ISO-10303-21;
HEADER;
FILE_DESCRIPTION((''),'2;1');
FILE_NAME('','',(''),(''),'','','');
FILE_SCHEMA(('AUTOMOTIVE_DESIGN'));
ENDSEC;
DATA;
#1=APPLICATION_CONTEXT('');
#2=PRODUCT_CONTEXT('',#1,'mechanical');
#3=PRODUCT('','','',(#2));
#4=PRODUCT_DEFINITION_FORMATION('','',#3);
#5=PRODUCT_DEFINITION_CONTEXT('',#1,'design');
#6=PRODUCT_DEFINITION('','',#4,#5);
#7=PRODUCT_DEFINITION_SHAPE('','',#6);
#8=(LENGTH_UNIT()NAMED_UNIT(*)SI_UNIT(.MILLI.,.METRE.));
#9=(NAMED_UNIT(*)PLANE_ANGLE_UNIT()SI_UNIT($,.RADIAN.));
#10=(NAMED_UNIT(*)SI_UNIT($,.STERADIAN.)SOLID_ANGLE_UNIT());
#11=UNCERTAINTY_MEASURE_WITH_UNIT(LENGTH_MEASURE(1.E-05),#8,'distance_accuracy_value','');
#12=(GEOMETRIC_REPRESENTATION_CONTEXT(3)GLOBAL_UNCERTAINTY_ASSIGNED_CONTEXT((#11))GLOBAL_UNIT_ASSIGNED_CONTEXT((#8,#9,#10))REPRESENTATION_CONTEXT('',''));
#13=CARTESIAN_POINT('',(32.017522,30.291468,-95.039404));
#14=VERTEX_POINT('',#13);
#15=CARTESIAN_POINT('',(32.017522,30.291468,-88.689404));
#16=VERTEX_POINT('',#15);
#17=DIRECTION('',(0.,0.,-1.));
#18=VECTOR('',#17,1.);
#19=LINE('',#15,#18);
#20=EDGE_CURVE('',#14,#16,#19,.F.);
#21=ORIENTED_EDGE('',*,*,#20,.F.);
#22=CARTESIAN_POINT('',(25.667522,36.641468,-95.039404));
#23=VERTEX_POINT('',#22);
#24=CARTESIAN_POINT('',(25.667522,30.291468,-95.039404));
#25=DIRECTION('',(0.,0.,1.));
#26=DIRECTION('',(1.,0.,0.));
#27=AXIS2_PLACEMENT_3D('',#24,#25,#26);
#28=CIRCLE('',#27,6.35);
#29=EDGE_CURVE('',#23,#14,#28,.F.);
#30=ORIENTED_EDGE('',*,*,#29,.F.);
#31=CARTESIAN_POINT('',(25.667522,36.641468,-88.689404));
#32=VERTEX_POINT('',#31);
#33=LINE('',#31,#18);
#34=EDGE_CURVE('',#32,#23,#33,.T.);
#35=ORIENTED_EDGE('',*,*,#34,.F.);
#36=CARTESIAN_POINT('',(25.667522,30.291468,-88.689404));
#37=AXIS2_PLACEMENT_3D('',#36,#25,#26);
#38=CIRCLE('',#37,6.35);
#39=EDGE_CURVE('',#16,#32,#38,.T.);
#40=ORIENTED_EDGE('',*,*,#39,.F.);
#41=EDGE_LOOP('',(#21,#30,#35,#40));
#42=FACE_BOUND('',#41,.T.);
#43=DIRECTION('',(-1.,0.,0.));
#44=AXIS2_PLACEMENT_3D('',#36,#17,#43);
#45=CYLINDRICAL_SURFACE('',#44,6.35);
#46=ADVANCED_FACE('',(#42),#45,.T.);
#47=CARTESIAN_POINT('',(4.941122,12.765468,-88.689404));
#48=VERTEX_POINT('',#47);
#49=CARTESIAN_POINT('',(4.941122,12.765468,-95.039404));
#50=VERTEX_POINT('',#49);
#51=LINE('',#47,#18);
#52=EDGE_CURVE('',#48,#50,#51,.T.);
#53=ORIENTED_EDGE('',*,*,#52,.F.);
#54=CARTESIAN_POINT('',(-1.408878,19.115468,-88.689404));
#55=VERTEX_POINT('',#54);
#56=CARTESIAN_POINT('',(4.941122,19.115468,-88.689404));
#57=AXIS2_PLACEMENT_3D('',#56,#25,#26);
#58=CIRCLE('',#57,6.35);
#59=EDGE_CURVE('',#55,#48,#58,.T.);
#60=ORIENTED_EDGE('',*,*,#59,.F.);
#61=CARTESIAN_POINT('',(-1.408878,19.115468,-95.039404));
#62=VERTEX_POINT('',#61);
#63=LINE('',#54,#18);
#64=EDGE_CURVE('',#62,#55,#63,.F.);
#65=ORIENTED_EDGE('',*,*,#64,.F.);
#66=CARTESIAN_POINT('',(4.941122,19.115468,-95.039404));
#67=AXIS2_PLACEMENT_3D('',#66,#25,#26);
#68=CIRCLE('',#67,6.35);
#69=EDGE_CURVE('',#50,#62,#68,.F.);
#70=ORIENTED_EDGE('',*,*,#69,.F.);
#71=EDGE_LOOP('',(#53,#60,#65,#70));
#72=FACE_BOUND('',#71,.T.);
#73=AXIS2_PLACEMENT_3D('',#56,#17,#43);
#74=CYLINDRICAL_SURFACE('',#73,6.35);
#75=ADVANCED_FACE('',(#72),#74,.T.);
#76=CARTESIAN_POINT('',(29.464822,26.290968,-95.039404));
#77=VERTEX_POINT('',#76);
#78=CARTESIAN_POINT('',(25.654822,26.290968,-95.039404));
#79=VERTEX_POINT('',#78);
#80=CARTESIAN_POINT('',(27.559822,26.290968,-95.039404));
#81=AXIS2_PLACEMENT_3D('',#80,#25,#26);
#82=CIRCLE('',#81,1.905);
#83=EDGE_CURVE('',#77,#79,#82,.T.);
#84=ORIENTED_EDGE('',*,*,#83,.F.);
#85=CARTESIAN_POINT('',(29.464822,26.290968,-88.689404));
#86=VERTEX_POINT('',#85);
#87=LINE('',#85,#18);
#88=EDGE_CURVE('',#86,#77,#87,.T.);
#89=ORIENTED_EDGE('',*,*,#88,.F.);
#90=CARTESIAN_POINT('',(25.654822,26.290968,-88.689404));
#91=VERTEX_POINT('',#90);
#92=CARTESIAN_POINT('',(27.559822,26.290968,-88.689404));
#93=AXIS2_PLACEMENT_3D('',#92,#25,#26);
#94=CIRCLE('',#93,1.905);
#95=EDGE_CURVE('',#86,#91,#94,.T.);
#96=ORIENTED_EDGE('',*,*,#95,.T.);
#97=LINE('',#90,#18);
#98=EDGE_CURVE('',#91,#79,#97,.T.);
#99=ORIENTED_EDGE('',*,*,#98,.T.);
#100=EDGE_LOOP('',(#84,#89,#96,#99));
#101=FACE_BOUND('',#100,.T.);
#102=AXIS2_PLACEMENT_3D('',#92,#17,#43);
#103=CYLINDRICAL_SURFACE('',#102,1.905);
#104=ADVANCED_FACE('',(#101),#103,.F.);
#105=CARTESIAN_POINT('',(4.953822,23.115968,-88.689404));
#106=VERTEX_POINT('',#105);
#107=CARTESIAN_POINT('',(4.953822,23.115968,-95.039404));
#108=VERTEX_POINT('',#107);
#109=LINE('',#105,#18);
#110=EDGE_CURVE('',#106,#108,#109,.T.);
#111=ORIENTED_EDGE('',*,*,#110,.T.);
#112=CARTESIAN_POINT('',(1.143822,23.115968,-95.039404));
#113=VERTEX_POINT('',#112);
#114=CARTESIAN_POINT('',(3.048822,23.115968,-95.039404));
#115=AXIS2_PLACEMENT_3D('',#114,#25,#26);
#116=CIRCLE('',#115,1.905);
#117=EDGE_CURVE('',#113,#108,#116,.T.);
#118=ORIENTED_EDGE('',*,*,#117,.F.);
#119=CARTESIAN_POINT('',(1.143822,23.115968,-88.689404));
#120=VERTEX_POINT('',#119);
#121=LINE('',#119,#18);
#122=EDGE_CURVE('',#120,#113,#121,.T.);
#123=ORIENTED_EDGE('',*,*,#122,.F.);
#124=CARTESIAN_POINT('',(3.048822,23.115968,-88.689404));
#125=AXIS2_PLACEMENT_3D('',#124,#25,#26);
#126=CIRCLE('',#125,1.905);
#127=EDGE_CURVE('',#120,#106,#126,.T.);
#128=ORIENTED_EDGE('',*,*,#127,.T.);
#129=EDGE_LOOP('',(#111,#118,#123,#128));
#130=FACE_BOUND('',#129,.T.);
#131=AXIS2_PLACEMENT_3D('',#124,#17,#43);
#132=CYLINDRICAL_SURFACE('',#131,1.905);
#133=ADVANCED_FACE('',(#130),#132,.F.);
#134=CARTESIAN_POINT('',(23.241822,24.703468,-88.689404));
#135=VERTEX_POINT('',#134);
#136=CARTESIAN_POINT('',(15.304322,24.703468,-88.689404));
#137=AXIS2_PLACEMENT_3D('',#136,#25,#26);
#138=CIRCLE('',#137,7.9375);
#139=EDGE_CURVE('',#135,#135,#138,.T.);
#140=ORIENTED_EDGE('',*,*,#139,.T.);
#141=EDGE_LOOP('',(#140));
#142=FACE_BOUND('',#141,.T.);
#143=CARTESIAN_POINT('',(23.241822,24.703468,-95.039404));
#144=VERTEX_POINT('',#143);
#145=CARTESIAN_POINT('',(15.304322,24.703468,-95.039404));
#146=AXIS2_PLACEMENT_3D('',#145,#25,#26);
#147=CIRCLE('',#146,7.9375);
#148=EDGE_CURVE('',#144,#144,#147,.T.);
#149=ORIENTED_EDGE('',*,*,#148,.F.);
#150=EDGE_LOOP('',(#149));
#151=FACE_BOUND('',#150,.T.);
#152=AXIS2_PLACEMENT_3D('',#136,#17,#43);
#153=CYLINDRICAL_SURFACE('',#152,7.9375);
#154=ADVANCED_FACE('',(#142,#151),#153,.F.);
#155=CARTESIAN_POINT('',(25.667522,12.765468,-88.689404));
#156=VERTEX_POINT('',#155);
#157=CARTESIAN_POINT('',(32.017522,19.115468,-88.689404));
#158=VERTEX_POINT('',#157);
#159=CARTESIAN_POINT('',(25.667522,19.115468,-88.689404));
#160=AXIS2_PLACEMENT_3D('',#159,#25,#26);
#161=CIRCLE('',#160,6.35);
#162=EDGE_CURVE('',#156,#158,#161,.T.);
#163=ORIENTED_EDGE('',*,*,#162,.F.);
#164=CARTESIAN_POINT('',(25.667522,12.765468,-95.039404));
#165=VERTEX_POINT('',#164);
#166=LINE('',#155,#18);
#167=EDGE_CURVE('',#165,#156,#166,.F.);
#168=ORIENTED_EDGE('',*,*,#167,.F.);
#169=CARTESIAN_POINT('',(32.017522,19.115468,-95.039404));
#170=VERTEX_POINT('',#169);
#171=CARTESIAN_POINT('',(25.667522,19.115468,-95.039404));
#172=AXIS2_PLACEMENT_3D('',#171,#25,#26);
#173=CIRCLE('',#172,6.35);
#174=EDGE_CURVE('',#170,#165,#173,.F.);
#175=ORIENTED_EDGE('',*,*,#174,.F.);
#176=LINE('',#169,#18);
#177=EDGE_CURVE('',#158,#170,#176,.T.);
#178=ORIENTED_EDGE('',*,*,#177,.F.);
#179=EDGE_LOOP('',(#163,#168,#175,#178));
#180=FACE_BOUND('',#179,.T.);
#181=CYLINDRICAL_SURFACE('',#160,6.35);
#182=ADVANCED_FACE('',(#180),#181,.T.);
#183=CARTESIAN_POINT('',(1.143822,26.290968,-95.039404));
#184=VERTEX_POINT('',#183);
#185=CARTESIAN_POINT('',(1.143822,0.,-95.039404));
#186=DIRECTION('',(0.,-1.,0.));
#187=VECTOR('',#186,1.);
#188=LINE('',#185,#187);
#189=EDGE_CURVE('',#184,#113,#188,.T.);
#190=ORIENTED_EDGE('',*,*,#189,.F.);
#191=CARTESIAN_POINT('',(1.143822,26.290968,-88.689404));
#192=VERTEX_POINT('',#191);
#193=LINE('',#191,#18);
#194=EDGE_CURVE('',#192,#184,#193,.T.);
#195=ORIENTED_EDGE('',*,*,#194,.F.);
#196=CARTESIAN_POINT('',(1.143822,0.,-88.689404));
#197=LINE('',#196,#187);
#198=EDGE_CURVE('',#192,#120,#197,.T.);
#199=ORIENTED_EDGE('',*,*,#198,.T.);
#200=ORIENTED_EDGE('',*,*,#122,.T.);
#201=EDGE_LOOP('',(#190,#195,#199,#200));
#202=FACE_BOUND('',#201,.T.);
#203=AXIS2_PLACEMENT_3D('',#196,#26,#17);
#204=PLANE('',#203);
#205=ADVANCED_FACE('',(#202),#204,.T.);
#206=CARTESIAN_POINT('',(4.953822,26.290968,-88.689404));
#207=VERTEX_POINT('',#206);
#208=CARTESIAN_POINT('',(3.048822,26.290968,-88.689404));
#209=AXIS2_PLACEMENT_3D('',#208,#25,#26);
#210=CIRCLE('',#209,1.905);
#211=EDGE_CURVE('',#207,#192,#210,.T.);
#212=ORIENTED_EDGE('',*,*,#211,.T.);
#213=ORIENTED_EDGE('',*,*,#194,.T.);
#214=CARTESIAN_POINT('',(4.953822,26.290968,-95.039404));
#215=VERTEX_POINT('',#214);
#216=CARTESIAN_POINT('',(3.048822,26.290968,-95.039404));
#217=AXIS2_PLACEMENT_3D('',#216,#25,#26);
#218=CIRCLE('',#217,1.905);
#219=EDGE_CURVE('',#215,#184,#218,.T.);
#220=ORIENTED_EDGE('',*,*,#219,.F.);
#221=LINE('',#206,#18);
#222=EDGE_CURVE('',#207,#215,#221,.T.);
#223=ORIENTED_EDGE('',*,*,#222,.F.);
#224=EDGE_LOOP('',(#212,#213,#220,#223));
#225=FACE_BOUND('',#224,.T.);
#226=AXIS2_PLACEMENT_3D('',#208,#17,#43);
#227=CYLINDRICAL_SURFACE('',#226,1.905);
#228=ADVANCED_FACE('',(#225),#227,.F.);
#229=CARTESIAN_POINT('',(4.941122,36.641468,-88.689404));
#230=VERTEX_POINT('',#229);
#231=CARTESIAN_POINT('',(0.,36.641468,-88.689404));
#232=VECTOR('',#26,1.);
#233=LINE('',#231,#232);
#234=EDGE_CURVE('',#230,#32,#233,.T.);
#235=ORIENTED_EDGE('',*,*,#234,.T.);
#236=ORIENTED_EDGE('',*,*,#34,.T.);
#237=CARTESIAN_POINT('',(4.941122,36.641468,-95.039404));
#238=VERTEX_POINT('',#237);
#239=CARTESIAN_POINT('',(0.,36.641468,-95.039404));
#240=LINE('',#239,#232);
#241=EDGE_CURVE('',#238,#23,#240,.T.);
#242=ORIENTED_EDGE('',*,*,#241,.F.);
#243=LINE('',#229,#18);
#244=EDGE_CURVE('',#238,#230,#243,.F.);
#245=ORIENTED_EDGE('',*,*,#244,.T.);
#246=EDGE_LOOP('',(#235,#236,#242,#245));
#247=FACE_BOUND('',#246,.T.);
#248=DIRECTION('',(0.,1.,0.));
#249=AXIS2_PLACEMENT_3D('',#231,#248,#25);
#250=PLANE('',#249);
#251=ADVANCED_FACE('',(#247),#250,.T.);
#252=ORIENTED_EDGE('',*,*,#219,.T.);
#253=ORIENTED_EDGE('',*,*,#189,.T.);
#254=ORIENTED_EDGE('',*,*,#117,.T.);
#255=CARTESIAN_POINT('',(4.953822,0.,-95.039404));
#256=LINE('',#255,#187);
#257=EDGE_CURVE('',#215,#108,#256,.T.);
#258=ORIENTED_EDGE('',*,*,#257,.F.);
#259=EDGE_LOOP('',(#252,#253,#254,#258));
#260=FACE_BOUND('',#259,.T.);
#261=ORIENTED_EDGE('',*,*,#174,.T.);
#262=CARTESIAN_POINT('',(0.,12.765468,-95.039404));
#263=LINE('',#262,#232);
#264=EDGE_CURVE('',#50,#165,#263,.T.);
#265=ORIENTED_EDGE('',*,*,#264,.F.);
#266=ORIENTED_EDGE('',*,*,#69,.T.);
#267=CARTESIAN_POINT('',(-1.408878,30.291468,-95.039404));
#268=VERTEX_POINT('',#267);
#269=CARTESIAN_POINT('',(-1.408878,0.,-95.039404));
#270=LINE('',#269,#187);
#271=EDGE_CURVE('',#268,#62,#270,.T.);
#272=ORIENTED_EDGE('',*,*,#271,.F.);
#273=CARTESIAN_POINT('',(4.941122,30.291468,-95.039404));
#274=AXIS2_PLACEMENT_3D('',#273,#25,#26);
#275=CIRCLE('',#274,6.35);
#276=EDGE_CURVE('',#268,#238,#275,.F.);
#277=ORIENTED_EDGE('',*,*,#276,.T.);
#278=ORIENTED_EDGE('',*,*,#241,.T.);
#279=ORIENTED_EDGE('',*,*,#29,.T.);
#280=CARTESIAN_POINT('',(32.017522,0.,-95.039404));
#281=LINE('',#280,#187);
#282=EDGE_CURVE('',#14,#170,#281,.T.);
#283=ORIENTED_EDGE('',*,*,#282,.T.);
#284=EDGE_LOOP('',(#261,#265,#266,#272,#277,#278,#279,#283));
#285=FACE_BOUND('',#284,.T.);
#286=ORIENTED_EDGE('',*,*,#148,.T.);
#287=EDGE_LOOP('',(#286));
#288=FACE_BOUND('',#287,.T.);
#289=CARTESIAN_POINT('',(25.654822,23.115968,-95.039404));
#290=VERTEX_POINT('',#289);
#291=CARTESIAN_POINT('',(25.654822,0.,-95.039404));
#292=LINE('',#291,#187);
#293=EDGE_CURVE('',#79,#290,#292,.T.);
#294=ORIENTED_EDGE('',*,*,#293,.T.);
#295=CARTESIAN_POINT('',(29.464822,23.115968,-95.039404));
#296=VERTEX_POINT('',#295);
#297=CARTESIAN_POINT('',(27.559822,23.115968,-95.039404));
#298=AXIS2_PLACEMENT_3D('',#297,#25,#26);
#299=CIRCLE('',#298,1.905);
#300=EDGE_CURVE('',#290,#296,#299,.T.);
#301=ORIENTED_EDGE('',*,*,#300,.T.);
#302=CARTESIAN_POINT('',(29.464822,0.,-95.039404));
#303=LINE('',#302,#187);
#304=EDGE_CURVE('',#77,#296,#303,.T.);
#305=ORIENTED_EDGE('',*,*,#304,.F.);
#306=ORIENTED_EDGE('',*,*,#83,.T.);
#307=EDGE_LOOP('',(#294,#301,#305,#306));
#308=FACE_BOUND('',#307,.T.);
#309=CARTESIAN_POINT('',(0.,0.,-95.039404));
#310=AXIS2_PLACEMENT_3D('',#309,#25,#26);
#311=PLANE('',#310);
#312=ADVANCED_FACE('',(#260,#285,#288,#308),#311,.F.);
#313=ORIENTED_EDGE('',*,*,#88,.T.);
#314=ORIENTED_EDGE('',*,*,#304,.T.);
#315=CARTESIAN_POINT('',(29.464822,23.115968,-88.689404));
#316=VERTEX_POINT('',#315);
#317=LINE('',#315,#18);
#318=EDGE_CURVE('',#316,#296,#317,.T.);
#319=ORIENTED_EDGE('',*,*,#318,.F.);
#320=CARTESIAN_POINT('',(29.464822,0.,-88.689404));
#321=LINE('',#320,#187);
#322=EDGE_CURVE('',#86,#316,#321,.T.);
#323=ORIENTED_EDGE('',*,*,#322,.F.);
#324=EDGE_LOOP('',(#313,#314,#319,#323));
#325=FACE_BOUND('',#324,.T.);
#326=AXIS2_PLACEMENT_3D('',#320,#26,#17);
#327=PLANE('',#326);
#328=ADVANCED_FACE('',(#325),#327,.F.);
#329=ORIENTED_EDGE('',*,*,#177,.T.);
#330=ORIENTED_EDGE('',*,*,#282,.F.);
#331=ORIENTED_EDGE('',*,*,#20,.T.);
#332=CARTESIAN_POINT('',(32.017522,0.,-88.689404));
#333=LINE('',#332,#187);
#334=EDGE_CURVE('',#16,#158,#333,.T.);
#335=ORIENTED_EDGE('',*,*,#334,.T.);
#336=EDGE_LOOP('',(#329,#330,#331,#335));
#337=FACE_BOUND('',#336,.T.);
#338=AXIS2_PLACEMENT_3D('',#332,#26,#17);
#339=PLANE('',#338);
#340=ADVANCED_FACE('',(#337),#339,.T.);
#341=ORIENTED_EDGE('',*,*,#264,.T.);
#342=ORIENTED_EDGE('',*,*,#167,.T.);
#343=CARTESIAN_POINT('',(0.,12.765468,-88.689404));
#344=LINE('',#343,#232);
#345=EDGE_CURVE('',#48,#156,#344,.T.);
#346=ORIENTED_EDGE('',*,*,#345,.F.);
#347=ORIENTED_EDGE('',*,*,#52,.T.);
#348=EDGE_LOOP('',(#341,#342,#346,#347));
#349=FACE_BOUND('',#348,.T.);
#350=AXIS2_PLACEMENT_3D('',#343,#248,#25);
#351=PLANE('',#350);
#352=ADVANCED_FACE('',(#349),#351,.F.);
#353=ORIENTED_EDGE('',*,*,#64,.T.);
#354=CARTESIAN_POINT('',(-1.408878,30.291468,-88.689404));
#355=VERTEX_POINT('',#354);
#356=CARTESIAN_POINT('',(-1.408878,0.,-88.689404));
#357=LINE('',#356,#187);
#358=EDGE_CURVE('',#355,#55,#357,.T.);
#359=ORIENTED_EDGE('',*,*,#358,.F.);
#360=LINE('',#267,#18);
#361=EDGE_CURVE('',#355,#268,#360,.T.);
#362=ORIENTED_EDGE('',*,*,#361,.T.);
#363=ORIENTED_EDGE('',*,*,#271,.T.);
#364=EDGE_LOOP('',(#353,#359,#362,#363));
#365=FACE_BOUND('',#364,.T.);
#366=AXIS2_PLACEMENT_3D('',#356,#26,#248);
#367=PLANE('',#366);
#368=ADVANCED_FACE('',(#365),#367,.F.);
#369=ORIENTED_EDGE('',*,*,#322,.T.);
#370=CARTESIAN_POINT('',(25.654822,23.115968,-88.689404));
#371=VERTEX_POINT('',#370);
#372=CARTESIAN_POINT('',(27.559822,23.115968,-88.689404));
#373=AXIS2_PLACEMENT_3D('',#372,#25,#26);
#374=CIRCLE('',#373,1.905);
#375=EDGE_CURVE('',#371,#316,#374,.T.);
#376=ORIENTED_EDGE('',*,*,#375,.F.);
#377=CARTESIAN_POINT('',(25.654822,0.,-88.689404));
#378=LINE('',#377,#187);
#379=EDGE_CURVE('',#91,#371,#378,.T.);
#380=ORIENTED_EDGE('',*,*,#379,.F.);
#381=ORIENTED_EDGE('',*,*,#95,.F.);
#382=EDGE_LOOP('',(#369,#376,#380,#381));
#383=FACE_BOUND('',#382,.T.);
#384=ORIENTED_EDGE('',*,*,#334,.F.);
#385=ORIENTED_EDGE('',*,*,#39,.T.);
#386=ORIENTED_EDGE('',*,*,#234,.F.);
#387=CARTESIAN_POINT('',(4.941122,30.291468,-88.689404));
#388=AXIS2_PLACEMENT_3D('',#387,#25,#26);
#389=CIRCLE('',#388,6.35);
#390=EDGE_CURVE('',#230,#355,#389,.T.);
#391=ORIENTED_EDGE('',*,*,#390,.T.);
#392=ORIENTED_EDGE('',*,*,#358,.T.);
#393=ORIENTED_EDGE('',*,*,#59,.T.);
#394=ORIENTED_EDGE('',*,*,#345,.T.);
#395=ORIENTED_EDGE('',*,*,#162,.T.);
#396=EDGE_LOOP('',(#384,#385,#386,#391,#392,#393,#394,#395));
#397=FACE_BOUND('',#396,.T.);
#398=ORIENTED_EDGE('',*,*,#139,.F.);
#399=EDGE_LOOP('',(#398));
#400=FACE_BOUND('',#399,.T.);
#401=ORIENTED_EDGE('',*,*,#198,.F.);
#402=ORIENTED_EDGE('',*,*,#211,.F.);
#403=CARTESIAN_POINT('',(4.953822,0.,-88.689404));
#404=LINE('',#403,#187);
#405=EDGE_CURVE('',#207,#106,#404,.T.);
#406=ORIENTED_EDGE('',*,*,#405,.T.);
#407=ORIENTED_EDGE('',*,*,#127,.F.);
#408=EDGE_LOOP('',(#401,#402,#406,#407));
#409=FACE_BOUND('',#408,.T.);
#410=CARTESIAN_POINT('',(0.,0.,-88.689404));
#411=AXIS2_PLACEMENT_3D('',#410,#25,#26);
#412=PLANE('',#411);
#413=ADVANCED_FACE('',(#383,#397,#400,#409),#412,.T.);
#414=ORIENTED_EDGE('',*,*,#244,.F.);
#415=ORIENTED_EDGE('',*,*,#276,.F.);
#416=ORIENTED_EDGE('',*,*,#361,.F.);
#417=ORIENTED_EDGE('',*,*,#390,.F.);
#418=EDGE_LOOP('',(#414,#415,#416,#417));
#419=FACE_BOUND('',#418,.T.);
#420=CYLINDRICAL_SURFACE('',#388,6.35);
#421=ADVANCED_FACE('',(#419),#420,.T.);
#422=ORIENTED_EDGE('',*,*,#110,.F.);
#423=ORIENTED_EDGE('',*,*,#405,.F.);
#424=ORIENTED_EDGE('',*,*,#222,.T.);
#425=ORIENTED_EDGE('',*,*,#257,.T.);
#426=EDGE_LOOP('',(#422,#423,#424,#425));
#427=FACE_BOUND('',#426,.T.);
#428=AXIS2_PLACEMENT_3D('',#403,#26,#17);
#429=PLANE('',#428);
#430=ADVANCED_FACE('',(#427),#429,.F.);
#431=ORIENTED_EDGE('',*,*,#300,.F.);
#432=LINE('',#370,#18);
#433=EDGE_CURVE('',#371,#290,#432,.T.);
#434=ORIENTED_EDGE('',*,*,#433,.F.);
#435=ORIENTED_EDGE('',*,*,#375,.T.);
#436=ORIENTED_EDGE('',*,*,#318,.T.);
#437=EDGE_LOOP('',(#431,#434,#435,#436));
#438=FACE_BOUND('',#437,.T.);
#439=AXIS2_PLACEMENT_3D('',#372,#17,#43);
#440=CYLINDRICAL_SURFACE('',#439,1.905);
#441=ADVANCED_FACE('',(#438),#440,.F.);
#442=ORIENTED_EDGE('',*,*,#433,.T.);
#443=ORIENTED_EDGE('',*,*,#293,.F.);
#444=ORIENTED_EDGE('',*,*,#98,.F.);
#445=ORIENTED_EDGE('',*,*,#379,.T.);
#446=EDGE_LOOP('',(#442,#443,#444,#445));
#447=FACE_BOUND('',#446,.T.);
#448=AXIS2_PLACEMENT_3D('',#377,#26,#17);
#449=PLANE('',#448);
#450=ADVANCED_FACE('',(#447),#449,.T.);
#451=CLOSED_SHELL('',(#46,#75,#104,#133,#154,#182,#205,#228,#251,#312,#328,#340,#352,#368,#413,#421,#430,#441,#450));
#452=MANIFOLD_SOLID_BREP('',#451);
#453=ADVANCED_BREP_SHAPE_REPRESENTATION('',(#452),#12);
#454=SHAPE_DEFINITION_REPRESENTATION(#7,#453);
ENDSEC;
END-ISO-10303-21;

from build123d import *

# Parameters (mm, degrees)
BOSS_EXTRUDE1_DEPTH = 6.35
FILLET1_R           = 6.35


with BuildPart() as part:
    # Sketch1 → Boss-Extrude1 (new body)
    # profile 1 of 6: a face of its own
    with BuildSketch(Plane.XY.offset(-95.039403682)):
        with BuildLine():
            ThreePointArc((15.304322218, 15.940467802), (6.541322218, 24.703467802), (15.304322218, 33.466467802))
            Line((15.304322218, 33.466467802), (15.304322218, 36.641467802))
            Line((15.304322218, 36.641467802), (-1.408877782, 36.641467802))
            Line((-1.408877782, 36.641467802), (-1.408877782, 12.765467802))
            Line((-1.408877782, 12.765467802), (15.304322218, 12.765467802))
            Line((15.304322218, 12.765467802), (15.304322218, 15.940467802))
        make_face()
        with BuildLine():
            Line((1.143822218, 23.115967802), (1.143822218, 26.290967802))
            ThreePointArc((1.143822218, 26.290967802), (3.048822218, 28.195967802), (4.953822218, 26.290967802))
            Line((4.953822218, 26.290967802), (4.953822218, 23.115967802))
            ThreePointArc((4.953822218, 23.115967802), (3.048822218, 21.210967802), (1.143822218, 23.115967802))
        make_face(mode=Mode.SUBTRACT)
    # profile 2 of 6: a face of its own
    with BuildSketch(Plane.XY.offset(-95.039403682)):
        with BuildLine():
            Line((15.304322218, 36.641467802), (15.304322218, 33.466467802))
            ThreePointArc((15.304322218, 33.466467802), (21.500698942, 30.899844525), (24.067322218, 24.703467802))
            ThreePointArc((24.067322218, 24.703467802), (21.500698942, 18.507091078), (15.304322218, 15.940467802))
            Line((15.304322218, 15.940467802), (15.304322218, 12.765467802))
            Line((15.304322218, 12.765467802), (32.017522218, 12.765467802))
            Line((32.017522218, 12.765467802), (32.017522218, 36.641467802))
            Line((32.017522218, 36.641467802), (15.304322218, 36.641467802))
        make_face()
        with BuildLine():
            Line((25.654822218, 23.115967802), (25.654822218, 26.290967802))
            ThreePointArc((25.654822218, 26.290967802), (27.559822218, 28.195967802), (29.464822218, 26.290967802))
            Line((29.464822218, 26.290967802), (29.464822218, 23.115967802))
            ThreePointArc((29.464822218, 23.115967802), (27.559822218, 21.210967802), (25.654822218, 23.115967802))
        make_face(mode=Mode.SUBTRACT)
    # profile 3 of 6: a face of its own
    with BuildSketch(Plane.XY.offset(-95.039403682)):
        with BuildLine():
            ThreePointArc((15.304322218, 16.765967802), (7.366822218, 24.703467802), (15.304322218, 32.640967802))
            Line((15.304322218, 32.640967802), (15.304322218, 33.466467802))
            ThreePointArc((15.304322218, 33.466467802), (6.541322218, 24.703467802), (15.304322218, 15.940467802))
            Line((15.304322218, 15.940467802), (15.304322218, 16.765967802))
        make_face()
    # profile 4 of 6: a face of its own
    with BuildSketch(Plane.XY.offset(-95.039403682)):
        with BuildLine():
            Line((15.304322218, 33.466467802), (15.304322218, 32.640967802))
            ThreePointArc((15.304322218, 32.640967802), (20.916982294, 30.316127877), (23.241822218, 24.703467802))
            ThreePointArc((23.241822218, 24.703467802), (20.916982294, 19.090807726), (15.304322218, 16.765967802))
            Line((15.304322218, 16.765967802), (15.304322218, 15.940467802))
            ThreePointArc((15.304322218, 15.940467802), (21.500698942, 18.507091078), (24.067322218, 24.703467802))
            ThreePointArc((24.067322218, 24.703467802), (21.500698942, 30.899844525), (15.304322218, 33.466467802))
        make_face()
    # profile 5 of 6: a face of its own
    with BuildSketch(Plane.XY.offset(-95.039403682)):
        with BuildLine():
            ThreePointArc((15.304322218, 16.765967802), (7.366822218, 24.703467802), (15.304322218, 32.640967802))
            Line((15.304322218, 32.640967802), (15.304322218, 33.466467802))
            ThreePointArc((15.304322218, 33.466467802), (6.541322218, 24.703467802), (15.304322218, 15.940467802))
            Line((15.304322218, 15.940467802), (15.304322218, 16.765967802))
        make_face()
    # profile 6 of 6: a face of its own
    with BuildSketch(Plane.XY.offset(-95.039403682)):
        with BuildLine():
            Line((15.304322218, 33.466467802), (15.304322218, 32.640967802))
            ThreePointArc((15.304322218, 32.640967802), (20.916982294, 30.316127877), (23.241822218, 24.703467802))
            ThreePointArc((23.241822218, 24.703467802), (20.916982294, 19.090807726), (15.304322218, 16.765967802))
            Line((15.304322218, 16.765967802), (15.304322218, 15.940467802))
            ThreePointArc((15.304322218, 15.940467802), (21.500698942, 18.507091078), (24.067322218, 24.703467802))
            ThreePointArc((24.067322218, 24.703467802), (21.500698942, 30.899844525), (15.304322218, 33.466467802))
        make_face()
    extrude(amount=BOSS_EXTRUDE1_DEPTH)

    # Fillet1
    fillet1_edges = [part.edges().sort_by_distance(p)[0] for p in [
        (32.017522218, 12.765467802, -91.864403682),
        (-1.408877782, 12.765467802, -91.864403682),
        (-1.408877782, 36.641467802, -91.864403682),
        (32.017522218, 36.641467802, -91.864403682),
    ]]
    fillet(fillet1_edges, radius=FILLET1_R)


solid = part.part
